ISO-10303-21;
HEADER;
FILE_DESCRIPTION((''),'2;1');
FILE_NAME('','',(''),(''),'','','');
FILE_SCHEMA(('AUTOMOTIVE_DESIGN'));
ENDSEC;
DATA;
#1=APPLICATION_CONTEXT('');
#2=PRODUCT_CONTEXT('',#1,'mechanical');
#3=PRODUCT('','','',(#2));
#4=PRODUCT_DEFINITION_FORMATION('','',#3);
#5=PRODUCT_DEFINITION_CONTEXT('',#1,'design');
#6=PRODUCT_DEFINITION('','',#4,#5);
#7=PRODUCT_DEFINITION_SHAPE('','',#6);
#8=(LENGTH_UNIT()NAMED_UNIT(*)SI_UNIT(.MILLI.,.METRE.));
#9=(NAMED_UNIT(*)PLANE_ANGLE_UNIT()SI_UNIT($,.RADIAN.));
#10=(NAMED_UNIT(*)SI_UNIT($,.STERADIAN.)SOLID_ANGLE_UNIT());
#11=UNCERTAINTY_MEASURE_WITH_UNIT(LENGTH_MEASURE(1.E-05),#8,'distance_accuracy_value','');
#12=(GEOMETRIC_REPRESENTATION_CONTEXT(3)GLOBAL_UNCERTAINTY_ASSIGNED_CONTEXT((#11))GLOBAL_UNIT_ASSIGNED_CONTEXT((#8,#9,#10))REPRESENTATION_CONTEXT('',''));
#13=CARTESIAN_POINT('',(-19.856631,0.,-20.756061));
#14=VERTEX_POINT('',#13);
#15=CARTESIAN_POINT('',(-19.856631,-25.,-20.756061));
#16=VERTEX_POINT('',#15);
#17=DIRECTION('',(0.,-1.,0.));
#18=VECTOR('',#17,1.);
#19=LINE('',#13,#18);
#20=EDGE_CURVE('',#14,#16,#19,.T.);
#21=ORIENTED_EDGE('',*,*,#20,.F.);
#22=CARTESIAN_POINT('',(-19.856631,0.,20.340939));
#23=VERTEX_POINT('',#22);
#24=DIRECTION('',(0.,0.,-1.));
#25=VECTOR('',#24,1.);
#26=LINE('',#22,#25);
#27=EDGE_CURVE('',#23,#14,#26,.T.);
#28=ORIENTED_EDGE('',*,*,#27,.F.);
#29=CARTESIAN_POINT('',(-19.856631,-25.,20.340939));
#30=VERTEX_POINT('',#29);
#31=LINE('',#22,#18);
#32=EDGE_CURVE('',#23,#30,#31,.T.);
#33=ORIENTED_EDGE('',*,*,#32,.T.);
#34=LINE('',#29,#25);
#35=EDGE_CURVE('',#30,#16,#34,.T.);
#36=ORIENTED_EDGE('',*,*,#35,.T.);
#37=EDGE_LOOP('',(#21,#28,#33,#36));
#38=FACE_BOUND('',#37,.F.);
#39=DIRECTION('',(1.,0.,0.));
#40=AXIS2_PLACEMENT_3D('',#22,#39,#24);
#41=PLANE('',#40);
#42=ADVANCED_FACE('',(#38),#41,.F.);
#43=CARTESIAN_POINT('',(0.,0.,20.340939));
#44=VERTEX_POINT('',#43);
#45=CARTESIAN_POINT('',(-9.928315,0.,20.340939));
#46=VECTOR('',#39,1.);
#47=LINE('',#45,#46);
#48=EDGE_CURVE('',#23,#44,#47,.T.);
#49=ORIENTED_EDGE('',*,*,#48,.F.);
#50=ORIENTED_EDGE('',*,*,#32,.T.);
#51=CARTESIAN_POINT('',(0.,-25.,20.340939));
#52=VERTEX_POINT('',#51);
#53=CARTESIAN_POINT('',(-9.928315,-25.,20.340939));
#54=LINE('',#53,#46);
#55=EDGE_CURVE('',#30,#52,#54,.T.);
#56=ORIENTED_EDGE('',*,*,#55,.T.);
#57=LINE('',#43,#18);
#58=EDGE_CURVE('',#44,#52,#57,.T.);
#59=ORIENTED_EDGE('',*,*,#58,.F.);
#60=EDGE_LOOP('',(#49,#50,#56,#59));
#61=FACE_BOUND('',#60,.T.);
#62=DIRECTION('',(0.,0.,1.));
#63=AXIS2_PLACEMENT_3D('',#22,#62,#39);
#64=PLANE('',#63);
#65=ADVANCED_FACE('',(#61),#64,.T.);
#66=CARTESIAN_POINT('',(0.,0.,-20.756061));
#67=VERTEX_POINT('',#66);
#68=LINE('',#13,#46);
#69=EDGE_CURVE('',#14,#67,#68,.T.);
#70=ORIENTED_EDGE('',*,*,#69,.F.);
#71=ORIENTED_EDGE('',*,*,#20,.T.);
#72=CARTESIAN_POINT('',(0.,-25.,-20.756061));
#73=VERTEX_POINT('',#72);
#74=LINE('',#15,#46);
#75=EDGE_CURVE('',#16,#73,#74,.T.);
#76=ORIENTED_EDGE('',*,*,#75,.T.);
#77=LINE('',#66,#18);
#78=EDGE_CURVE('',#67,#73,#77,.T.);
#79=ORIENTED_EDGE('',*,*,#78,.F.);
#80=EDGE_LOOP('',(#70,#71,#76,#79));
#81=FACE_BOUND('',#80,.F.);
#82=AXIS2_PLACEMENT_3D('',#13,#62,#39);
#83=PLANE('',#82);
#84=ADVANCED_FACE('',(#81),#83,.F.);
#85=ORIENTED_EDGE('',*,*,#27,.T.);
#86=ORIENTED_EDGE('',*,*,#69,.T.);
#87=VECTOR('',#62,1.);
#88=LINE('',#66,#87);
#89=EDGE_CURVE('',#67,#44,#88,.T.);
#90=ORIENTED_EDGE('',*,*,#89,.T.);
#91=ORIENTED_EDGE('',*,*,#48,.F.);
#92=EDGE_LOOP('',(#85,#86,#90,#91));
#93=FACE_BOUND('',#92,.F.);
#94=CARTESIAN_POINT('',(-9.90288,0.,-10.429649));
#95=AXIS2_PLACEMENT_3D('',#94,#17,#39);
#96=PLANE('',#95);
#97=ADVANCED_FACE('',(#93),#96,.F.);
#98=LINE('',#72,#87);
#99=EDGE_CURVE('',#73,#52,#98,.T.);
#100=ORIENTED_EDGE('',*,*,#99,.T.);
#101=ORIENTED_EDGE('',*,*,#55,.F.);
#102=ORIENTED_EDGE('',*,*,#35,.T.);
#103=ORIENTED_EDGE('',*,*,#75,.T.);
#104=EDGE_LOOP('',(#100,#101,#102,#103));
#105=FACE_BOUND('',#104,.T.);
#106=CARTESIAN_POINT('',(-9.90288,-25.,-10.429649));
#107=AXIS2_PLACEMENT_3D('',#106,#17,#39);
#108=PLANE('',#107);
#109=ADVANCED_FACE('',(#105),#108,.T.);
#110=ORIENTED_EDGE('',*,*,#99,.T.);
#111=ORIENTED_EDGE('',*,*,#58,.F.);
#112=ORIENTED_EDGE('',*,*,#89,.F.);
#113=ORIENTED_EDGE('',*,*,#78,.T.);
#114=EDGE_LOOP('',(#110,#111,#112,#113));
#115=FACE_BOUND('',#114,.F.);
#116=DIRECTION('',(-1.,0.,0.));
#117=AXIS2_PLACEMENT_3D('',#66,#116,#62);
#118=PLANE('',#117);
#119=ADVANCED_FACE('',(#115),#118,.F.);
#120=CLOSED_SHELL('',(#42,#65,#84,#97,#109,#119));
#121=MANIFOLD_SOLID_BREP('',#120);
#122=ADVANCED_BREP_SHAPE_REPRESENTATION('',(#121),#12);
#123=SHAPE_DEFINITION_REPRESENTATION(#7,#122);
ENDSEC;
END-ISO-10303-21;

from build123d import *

# Parameters (mm, degrees)
F0_W     = 19.8566309282
F0_H     = 5.8223598103
F0_H_2   = 14.5185794681
F1_DEPTH = 25


with BuildPart() as f1:
    # F0 (on Front) → F1 (new body)
    with BuildSketch(Plane.XZ):
        Polygon((0, -20.7560607215), (0, 0), (-19.8566309282, -0.2075607215), (-19.8566309282, -20.7560607215), align=None)
        with Locations((-9.9283154641, 17.4297593733)):
            Rectangle(F0_W, F0_H)
        with Locations((-9.9283154641, 7.2592897341)):
            Rectangle(F0_W, F0_H_2)
        Polygon((0, 0), (-19.8566309282, 0), (-19.8566309282, -0.2075607215), align=None)
    extrude(amount=F1_DEPTH)


solid = f1.part
